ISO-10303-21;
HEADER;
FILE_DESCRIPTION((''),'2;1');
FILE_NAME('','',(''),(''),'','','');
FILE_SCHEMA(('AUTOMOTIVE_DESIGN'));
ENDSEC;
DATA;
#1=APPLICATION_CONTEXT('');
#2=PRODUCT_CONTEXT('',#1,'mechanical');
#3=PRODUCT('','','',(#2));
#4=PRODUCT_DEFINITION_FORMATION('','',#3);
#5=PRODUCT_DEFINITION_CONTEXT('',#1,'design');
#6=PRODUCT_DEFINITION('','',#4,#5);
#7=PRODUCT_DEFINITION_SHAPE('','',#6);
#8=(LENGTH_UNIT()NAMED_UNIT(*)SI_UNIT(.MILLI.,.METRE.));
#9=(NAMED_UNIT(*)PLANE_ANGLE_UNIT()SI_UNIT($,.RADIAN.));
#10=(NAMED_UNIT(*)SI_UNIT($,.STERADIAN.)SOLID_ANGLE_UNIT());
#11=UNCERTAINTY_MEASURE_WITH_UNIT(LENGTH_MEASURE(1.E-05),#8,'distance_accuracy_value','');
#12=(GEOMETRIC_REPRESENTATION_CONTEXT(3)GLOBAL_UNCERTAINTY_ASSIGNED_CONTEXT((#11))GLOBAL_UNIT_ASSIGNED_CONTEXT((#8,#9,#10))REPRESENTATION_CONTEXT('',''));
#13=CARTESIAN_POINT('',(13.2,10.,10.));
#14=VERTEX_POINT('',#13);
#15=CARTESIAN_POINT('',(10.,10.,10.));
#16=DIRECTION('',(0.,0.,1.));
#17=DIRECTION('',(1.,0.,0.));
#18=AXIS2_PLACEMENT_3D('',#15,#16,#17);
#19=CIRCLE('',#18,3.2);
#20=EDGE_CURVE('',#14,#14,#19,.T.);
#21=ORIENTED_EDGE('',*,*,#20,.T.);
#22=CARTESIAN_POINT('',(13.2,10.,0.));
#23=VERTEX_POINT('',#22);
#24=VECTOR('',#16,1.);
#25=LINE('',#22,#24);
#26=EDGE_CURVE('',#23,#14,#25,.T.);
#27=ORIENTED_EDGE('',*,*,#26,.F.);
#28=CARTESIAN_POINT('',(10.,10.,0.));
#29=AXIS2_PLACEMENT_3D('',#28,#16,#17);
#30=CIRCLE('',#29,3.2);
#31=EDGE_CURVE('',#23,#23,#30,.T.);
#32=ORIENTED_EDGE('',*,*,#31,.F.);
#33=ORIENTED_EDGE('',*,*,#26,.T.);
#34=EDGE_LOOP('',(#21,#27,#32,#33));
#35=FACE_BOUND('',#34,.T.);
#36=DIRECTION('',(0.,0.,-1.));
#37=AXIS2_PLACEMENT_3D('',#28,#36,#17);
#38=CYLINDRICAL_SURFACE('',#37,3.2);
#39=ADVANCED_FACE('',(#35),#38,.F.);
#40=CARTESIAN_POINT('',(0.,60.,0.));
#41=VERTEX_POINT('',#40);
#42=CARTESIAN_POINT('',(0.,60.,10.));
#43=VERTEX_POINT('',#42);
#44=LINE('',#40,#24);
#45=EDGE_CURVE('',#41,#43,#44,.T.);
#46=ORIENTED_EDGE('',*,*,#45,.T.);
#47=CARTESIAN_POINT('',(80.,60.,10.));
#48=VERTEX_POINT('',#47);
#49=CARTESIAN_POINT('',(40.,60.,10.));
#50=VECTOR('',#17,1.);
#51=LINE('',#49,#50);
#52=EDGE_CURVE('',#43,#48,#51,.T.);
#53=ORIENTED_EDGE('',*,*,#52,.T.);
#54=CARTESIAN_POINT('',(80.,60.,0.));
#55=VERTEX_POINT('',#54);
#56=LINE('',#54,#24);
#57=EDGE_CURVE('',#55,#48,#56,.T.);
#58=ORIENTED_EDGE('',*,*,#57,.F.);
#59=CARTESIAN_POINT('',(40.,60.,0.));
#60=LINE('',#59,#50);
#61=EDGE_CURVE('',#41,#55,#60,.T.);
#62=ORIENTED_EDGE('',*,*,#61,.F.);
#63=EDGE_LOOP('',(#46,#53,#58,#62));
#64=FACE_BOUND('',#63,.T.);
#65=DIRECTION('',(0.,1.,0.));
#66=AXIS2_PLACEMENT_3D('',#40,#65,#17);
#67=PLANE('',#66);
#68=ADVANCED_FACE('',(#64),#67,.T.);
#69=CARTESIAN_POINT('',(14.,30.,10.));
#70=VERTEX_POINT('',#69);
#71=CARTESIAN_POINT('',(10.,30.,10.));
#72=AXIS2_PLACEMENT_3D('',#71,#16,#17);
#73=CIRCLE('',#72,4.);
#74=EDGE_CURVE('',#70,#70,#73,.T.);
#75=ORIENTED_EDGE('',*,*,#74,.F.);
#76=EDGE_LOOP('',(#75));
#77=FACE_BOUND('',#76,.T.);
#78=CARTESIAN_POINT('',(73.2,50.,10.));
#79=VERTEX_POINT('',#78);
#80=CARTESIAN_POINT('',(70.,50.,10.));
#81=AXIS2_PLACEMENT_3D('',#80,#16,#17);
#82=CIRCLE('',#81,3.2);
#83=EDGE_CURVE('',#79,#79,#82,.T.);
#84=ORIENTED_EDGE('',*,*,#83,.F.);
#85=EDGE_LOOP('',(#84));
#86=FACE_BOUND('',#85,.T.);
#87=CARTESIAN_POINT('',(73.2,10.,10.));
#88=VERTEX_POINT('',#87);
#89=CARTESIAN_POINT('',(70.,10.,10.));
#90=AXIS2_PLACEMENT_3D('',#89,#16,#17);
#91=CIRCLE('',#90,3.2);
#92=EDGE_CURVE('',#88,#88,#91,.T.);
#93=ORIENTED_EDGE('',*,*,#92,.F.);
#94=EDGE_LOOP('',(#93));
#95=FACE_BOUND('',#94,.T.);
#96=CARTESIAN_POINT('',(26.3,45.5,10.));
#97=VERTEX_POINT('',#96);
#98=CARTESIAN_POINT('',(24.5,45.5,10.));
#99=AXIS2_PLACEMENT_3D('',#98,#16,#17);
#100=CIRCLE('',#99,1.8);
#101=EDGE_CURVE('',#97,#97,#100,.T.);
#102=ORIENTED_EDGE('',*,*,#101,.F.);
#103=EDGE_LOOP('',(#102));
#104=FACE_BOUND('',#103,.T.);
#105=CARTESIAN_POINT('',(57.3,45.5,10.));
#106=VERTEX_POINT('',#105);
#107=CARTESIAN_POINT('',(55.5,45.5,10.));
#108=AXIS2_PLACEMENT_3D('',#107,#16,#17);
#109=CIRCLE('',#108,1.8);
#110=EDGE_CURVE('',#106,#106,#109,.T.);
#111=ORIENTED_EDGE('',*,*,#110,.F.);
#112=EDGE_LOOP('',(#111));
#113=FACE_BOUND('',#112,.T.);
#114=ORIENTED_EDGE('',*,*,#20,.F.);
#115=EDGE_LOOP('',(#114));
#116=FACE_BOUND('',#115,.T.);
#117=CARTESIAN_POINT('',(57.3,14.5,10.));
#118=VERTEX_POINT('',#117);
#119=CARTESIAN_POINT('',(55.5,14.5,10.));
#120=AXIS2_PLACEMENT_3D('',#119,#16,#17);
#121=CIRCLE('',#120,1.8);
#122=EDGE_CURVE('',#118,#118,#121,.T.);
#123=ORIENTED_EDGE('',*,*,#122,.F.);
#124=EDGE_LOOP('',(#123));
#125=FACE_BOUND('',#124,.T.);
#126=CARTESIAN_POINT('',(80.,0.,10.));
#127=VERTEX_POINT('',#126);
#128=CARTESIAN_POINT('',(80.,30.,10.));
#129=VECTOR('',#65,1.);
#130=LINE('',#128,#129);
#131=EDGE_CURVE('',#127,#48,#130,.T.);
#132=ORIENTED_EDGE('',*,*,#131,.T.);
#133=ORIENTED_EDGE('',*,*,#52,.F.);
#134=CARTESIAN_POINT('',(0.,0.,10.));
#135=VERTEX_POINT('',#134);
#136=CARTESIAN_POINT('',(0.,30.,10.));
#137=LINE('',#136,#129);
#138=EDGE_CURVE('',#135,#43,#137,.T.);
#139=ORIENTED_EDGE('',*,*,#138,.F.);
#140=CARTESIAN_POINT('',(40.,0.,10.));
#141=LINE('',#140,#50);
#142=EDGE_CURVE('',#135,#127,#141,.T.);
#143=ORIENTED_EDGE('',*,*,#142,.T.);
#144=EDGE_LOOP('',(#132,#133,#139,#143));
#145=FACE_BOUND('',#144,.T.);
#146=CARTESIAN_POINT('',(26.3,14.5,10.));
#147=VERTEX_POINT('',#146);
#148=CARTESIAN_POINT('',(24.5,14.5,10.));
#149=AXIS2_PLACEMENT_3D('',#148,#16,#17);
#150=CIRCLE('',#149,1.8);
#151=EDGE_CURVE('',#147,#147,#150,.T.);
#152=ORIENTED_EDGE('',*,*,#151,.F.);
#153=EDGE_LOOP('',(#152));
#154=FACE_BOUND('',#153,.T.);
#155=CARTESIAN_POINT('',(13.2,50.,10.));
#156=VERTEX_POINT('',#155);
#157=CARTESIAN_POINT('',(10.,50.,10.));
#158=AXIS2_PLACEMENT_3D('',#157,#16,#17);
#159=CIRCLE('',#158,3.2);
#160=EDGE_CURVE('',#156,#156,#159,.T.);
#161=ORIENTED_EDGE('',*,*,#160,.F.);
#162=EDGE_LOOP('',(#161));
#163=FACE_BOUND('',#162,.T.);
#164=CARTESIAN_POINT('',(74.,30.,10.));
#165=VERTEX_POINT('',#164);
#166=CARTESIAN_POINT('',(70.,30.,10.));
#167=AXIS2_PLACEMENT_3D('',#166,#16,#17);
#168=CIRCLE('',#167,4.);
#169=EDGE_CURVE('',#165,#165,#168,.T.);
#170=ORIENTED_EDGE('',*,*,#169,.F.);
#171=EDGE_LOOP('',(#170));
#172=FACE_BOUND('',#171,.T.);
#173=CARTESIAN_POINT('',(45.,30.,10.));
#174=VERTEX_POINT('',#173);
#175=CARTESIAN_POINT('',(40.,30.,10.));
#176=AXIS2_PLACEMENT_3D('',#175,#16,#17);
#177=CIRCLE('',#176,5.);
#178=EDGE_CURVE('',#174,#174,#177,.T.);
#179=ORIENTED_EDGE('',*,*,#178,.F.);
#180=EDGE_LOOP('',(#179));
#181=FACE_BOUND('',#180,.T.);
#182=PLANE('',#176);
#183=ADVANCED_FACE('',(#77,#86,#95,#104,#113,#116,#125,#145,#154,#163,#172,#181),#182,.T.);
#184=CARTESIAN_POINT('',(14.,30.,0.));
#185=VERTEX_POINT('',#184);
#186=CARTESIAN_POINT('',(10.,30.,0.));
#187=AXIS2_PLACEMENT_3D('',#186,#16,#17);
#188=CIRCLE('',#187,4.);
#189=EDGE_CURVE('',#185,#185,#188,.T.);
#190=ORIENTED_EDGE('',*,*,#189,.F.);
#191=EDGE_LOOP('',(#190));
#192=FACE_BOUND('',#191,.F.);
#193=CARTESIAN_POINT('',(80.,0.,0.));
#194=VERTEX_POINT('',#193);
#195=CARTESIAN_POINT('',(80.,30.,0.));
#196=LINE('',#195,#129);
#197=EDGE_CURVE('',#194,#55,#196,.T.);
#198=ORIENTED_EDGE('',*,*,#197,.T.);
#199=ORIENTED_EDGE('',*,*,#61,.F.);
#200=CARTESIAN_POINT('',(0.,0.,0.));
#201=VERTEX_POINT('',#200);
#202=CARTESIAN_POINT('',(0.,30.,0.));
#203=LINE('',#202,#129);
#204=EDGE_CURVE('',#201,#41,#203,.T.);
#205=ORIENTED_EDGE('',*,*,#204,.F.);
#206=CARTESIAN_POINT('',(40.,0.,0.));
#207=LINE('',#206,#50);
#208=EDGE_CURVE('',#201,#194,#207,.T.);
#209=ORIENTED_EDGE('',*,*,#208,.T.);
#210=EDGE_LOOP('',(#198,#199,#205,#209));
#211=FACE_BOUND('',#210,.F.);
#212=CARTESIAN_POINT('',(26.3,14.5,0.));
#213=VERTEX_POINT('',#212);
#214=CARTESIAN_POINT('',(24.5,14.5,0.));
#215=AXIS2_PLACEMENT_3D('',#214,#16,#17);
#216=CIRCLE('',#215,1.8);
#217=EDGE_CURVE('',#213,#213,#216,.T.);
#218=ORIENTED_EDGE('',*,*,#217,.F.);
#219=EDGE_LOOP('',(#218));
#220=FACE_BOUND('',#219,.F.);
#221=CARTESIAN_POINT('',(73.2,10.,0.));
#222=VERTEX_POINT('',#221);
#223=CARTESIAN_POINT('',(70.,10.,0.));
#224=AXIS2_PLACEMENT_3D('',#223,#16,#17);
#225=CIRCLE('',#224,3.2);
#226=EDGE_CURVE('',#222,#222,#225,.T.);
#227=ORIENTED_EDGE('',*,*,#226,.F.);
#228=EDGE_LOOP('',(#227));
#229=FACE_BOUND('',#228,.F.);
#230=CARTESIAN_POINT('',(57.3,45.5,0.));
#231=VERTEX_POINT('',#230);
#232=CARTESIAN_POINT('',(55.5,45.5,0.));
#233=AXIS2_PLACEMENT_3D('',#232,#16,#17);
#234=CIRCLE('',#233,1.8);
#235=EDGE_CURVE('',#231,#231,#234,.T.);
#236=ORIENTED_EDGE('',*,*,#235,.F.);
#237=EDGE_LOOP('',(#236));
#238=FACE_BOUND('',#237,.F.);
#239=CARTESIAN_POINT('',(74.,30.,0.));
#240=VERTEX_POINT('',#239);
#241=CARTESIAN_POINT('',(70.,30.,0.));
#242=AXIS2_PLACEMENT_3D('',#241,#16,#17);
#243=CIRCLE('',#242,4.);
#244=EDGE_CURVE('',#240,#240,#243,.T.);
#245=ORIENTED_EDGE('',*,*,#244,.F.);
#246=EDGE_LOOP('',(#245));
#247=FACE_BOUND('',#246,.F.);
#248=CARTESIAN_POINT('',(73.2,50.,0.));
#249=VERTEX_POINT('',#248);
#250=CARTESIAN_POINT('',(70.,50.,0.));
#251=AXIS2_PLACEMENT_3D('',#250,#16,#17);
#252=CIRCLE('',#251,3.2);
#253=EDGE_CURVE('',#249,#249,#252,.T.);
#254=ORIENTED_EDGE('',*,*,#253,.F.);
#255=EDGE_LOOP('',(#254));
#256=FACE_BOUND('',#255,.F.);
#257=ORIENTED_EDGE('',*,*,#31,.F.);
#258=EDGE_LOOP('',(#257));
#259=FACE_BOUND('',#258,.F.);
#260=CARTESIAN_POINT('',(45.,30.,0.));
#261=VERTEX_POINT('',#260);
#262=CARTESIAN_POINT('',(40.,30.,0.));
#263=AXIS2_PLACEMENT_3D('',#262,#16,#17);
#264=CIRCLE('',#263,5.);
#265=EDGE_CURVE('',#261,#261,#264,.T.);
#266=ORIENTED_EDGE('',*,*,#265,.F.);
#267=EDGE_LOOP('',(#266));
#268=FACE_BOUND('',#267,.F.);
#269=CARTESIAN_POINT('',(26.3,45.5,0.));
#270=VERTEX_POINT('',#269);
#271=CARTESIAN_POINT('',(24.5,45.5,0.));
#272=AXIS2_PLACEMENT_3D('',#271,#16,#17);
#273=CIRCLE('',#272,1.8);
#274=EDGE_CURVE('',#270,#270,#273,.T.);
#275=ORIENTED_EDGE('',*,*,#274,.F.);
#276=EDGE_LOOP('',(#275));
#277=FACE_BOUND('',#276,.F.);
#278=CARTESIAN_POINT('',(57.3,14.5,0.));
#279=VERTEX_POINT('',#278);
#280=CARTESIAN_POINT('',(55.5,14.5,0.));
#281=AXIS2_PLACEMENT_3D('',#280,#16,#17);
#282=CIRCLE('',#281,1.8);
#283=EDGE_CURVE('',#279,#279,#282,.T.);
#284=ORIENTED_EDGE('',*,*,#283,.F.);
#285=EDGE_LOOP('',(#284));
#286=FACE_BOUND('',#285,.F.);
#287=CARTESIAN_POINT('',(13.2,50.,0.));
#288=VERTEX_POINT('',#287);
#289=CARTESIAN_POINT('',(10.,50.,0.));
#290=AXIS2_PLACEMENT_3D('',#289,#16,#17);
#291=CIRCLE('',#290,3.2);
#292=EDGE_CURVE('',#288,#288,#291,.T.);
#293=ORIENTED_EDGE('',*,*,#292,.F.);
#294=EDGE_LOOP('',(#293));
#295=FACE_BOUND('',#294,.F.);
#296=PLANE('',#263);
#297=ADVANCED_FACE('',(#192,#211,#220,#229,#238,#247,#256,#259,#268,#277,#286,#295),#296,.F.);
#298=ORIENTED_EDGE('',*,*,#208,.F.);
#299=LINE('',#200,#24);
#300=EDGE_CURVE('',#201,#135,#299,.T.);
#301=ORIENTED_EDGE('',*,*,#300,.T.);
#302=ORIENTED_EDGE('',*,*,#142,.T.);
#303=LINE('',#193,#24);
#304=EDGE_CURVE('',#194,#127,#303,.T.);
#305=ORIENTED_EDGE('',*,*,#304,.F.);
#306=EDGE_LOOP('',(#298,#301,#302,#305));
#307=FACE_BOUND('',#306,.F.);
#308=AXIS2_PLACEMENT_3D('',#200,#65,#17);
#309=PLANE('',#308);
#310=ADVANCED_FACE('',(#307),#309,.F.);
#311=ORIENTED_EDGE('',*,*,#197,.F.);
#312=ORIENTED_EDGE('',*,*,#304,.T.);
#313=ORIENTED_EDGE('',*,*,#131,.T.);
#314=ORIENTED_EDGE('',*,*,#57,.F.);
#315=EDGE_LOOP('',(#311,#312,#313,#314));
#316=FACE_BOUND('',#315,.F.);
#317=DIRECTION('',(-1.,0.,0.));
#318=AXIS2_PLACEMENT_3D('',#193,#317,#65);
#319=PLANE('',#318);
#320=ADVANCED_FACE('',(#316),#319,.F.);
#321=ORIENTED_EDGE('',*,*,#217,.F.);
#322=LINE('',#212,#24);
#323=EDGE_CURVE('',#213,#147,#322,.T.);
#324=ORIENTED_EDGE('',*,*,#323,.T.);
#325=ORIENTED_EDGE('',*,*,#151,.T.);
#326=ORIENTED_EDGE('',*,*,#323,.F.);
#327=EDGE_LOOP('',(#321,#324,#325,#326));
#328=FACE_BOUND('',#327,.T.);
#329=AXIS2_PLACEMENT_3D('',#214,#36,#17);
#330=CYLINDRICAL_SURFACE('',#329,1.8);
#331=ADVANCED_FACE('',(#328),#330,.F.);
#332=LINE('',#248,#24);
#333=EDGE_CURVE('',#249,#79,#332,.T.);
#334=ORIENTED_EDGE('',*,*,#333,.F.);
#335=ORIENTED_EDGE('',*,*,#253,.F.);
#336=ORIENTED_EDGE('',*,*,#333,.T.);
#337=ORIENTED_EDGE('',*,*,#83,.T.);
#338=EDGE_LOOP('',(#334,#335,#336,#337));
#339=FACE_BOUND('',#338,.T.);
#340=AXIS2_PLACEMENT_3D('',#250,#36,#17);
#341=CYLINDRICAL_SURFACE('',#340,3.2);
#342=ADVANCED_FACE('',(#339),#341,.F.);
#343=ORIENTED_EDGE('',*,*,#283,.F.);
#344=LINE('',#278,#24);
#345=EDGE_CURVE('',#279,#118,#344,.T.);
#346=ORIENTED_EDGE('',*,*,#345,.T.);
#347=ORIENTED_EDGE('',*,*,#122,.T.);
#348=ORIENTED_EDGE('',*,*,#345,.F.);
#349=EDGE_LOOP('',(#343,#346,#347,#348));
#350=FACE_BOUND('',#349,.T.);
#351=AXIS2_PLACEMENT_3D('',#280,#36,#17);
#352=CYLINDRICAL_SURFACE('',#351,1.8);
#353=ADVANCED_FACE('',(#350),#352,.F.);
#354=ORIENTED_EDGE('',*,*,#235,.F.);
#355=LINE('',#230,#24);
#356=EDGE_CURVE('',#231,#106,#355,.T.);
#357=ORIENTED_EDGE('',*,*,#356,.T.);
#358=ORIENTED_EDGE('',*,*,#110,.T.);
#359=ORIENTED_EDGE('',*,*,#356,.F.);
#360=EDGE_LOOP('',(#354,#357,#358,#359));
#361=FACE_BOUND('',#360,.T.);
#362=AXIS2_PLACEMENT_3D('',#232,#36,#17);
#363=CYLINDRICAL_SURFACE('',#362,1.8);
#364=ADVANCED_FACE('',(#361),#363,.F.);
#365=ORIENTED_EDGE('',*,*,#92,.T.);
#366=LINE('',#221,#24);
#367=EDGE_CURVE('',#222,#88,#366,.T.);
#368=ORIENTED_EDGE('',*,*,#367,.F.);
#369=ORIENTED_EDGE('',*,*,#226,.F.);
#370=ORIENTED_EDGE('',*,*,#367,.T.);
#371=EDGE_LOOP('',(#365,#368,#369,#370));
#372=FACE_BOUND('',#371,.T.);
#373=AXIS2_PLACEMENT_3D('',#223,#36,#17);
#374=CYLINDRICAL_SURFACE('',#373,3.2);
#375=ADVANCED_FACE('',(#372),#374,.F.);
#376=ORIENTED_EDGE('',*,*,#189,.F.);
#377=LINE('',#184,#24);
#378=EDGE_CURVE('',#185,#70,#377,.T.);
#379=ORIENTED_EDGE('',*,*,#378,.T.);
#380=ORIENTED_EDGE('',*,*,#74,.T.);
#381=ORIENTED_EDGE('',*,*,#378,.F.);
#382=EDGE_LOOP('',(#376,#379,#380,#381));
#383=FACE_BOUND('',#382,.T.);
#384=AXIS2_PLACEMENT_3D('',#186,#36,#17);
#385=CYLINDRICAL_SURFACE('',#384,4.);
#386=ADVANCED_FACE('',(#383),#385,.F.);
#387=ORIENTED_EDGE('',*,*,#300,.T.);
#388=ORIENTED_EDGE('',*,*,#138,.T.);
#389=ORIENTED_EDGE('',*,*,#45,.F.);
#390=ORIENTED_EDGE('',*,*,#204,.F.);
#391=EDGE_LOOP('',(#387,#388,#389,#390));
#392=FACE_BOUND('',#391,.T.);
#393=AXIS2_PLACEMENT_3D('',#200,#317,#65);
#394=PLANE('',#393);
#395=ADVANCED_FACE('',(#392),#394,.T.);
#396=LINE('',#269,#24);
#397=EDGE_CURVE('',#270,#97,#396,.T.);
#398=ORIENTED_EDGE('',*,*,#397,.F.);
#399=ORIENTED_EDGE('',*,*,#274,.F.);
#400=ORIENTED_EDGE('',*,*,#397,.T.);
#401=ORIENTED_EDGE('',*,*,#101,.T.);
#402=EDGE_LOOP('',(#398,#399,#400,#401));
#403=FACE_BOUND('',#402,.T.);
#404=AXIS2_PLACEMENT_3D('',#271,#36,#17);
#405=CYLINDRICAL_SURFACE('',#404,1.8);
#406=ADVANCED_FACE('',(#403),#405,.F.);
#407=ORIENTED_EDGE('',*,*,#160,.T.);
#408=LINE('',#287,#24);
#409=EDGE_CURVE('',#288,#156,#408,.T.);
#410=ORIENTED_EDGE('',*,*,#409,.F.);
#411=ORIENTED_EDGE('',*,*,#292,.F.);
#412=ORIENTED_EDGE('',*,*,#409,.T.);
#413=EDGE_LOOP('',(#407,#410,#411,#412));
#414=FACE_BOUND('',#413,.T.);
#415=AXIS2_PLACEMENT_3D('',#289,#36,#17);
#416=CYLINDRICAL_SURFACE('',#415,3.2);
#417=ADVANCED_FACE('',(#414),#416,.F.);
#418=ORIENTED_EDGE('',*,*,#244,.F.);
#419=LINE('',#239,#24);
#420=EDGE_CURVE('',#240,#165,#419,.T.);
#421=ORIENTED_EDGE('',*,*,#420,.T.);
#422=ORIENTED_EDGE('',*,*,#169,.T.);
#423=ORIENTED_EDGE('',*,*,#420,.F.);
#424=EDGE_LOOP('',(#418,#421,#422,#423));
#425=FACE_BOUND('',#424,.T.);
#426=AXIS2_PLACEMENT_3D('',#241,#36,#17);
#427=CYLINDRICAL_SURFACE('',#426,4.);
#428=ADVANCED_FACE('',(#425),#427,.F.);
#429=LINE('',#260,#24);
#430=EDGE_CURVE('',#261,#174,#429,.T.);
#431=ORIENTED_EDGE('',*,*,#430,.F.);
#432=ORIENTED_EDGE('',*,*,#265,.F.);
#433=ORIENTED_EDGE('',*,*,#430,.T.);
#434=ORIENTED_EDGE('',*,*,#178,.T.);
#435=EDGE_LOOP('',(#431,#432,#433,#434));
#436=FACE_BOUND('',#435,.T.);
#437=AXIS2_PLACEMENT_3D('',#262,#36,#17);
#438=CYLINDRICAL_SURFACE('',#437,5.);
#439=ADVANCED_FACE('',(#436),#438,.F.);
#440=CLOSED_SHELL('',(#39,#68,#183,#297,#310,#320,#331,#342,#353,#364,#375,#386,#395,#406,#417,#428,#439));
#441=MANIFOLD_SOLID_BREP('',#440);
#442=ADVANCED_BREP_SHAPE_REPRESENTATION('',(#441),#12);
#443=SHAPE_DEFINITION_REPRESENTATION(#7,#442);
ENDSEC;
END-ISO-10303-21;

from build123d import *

# Parameters (mm, degrees)
SKETCH_W   = 80
SKETCH_H   = 60
SKETCH_R   = 5
SKETCH_R_2 = 1.8
SKETCH_R_3 = 3.2
SKETCH_R_4 = 4
PAD_DEPTH  = 10


with BuildPart() as part:
    # Sketch → Pad (new body)
    with BuildSketch(Plane.XY):
        with Locations((40, 30)):
            Rectangle(SKETCH_W, SKETCH_H)
        with Locations((40, 30)):
            Circle(SKETCH_R, mode=Mode.SUBTRACT)
        with Locations((55.5, 45.5)):
            Circle(SKETCH_R_2, mode=Mode.SUBTRACT)
        with Locations((55.5, 14.5)):
            Circle(SKETCH_R_2, mode=Mode.SUBTRACT)
        with Locations((24.5, 14.5)):
            Circle(SKETCH_R_2, mode=Mode.SUBTRACT)
        with Locations((24.5, 45.5)):
            Circle(SKETCH_R_2, mode=Mode.SUBTRACT)
        with Locations((10, 10)):
            Circle(SKETCH_R_3, mode=Mode.SUBTRACT)
        with Locations((70, 10)):
            Circle(SKETCH_R_3, mode=Mode.SUBTRACT)
        with Locations((70, 30)):
            Circle(SKETCH_R_4, mode=Mode.SUBTRACT)
        with Locations((10, 30)):
            Circle(SKETCH_R_4, mode=Mode.SUBTRACT)
        with Locations((10, 50)):
            Circle(SKETCH_R_3, mode=Mode.SUBTRACT)
        with Locations((70, 50)):
            Circle(SKETCH_R_3, mode=Mode.SUBTRACT)
    extrude(amount=PAD_DEPTH)


solid = part.part
